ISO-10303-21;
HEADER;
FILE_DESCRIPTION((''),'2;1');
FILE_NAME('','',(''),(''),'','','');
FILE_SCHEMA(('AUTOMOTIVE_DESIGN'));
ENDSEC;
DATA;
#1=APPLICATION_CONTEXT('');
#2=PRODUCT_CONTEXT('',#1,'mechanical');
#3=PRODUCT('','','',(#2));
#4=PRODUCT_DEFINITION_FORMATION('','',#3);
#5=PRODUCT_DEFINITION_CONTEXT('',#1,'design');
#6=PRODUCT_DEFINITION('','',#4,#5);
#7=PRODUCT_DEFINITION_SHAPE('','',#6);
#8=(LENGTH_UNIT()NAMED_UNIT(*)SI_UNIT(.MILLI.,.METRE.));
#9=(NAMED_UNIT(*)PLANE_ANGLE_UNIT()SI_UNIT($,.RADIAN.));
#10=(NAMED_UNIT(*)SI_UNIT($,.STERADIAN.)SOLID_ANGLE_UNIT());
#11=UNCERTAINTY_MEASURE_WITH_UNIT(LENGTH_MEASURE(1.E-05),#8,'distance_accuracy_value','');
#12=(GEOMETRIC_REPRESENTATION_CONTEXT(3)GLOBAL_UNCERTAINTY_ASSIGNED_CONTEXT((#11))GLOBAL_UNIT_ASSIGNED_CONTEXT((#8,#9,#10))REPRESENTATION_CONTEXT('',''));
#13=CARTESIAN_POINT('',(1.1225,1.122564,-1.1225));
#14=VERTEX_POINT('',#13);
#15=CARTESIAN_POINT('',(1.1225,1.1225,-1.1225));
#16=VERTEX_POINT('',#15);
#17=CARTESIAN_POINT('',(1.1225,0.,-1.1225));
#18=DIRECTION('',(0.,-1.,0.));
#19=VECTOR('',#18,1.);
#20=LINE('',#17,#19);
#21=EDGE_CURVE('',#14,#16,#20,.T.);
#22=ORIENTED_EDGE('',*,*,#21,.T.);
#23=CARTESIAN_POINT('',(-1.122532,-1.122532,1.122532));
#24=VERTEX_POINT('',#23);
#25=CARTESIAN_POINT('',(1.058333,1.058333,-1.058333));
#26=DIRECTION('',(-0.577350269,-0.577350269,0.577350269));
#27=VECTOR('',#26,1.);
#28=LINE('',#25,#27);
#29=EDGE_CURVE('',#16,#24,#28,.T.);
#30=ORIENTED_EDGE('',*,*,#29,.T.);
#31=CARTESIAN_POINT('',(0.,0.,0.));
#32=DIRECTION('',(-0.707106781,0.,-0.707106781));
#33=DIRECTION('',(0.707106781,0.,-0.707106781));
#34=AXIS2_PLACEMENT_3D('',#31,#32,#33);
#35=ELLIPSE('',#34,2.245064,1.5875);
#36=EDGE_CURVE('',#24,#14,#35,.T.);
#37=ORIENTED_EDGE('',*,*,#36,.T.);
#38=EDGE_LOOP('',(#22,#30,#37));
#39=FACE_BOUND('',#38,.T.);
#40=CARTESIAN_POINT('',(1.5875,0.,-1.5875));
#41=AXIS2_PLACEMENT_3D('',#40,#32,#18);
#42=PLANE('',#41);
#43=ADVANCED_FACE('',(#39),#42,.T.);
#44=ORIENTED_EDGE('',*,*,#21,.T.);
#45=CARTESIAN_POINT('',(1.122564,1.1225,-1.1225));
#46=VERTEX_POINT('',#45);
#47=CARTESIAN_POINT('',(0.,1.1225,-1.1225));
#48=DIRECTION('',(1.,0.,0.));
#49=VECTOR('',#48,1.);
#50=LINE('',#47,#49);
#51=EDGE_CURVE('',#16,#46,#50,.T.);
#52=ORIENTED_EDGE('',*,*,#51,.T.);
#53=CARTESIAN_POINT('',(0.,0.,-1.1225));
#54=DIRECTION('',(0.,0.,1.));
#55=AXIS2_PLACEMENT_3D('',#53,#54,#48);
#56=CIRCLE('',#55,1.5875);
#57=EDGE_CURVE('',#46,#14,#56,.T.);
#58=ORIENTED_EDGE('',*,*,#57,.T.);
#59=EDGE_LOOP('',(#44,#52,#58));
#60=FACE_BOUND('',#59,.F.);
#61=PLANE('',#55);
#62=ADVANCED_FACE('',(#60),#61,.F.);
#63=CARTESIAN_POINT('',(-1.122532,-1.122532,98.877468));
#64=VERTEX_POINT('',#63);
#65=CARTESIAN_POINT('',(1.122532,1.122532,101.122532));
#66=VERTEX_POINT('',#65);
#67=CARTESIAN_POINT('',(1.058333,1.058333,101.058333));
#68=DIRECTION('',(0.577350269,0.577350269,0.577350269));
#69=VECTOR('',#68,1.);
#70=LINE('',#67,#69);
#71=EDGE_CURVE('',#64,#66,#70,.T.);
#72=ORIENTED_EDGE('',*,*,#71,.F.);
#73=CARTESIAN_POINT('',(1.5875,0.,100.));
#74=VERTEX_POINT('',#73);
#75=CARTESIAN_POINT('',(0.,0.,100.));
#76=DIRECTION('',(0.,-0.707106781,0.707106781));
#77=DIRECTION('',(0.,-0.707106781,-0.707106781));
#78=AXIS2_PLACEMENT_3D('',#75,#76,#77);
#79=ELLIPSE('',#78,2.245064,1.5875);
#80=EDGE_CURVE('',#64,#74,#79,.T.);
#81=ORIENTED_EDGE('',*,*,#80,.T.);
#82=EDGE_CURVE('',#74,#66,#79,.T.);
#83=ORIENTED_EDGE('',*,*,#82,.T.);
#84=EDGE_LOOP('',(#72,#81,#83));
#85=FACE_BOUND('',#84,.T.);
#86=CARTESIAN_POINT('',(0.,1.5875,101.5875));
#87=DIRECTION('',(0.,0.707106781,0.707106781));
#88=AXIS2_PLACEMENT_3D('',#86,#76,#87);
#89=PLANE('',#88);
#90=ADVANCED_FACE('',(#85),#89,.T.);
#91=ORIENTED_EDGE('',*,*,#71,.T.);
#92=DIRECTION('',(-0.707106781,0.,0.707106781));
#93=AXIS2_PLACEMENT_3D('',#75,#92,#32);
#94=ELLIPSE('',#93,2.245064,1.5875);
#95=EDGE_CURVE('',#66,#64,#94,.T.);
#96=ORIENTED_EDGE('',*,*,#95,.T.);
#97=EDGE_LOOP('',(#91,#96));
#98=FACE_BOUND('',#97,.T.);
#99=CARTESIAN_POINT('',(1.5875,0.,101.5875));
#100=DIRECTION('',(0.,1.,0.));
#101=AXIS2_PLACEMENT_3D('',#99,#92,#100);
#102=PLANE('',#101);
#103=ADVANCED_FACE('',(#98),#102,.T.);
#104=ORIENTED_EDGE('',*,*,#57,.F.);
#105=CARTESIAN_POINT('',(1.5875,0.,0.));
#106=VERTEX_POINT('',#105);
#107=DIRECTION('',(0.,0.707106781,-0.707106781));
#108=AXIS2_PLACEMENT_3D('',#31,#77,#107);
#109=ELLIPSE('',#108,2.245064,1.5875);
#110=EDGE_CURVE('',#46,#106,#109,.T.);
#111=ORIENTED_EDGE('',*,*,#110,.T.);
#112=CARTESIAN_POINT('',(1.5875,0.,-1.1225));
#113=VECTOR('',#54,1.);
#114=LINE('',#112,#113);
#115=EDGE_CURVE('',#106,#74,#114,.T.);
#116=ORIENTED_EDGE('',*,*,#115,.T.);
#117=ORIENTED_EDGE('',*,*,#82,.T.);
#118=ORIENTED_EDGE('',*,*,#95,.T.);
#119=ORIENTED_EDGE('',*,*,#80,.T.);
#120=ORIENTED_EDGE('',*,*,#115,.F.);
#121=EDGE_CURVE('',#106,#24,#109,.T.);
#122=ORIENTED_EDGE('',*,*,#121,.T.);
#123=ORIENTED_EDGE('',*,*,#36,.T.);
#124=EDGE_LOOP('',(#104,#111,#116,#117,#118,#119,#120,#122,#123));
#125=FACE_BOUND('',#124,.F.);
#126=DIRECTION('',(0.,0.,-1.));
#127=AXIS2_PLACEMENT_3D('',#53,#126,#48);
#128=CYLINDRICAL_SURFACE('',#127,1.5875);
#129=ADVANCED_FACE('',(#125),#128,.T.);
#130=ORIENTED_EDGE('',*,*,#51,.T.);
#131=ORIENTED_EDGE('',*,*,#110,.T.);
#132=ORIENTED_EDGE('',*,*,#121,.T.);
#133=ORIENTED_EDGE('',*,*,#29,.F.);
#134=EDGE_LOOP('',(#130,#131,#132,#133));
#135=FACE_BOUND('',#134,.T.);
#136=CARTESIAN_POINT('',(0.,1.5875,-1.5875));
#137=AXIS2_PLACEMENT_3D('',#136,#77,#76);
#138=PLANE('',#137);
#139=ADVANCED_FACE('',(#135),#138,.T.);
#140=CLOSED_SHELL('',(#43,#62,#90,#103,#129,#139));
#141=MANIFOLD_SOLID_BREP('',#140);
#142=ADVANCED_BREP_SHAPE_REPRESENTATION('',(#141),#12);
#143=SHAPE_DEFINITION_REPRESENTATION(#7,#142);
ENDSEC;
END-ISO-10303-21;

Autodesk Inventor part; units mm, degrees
ref_plane "Start Plane" through (0, 0, -1.1225) normal (0, 0, 1) x (1, 0, 0)
ref_plane "End Plane" through (0, 0, 101.1225) normal (0, 0, 1) x (1, 0, 0)
sketch "Sketch" plane through (0, 0, 0) normal (0, 0, 1) x (1, 0, 0)
  circle A0 centre (0, 0) radius 1.5875
  dimension "d0" = 3.175
extrude "Body" add sketch "Sketch" along normal up to surface (102.2451 mm away) from surface at -1.1225
sketch "Sketch2" plane through (0, 0, 0) normal (0, 0, 1) x (1, 0, 0)
  line L0 (0, 0) -> (10, 0)
ref_plane "Work Plane3" through (0, 0, 0) normal (0, -1, 0) x (1, 0, 0)
sketch "Sketch3" plane through (0, 0, 0) normal (0, -1, 0) x (1, 0, 0)
  line L0 (-2, -1.1225) -> (12, -1.1225)
  line L1 (-2, 101.1225) -> (12, 101.1225)
  dimension "d7" = 102.2451
ref_plane "Work Plane4" through (1.5875, 0, -1.5875) normal (-0.7071, 0, -0.7071) x (-0.7071, 0, 0.7071)
split "Split1" plane through (1.5875, 0, -1.5875) removes the side toward (-0.7071, 0, -0.7071)
ref_plane "Work Plane5" through (0, 1.5875, -1.5875) normal (0, -0.7071, -0.7071) x (1, 0, 0)
split "Split2" plane through (0, 1.5875, -1.5875) removes the side toward (0, -0.7071, -0.7071)
ref_plane "Work Plane6" through (1.5875, 0, 101.5875) normal (-0.7071, 0, 0.7071) x (0.7071, 0, 0.7071)
split "Split3" plane through (1.5875, 0, 101.5875) removes the side toward (-0.7071, 0, 0.7071)
ref_plane "Work Plane7" through (0, 1.5875, 101.5875) normal (0, -0.7071, 0.7071) x (1, 0, 0)
split "Split4" plane through (0, 1.5875, 101.5875) removes the side toward (0, -0.7071, 0.7071)
equation "\"d0\" = Diam"
equation "\"d1\" = G_L"
equation "\"Diam\" = 3.175"
equation "\"G_L\" = d7"
equation "\"G_OFFSET_START\" = 1.12253"
equation "\"G_OFFSET_END\" = 1.12253"
equation "\"d4\" = -G_OFFSET_START"
equation "\"d5\" = G_OFFSET_END + B_L"
equation "\"B_L\" = 100"
properties part number "ANSI/AISC Rolled Steel - 1/8-4,025, RB" material "Steel, Mild"
